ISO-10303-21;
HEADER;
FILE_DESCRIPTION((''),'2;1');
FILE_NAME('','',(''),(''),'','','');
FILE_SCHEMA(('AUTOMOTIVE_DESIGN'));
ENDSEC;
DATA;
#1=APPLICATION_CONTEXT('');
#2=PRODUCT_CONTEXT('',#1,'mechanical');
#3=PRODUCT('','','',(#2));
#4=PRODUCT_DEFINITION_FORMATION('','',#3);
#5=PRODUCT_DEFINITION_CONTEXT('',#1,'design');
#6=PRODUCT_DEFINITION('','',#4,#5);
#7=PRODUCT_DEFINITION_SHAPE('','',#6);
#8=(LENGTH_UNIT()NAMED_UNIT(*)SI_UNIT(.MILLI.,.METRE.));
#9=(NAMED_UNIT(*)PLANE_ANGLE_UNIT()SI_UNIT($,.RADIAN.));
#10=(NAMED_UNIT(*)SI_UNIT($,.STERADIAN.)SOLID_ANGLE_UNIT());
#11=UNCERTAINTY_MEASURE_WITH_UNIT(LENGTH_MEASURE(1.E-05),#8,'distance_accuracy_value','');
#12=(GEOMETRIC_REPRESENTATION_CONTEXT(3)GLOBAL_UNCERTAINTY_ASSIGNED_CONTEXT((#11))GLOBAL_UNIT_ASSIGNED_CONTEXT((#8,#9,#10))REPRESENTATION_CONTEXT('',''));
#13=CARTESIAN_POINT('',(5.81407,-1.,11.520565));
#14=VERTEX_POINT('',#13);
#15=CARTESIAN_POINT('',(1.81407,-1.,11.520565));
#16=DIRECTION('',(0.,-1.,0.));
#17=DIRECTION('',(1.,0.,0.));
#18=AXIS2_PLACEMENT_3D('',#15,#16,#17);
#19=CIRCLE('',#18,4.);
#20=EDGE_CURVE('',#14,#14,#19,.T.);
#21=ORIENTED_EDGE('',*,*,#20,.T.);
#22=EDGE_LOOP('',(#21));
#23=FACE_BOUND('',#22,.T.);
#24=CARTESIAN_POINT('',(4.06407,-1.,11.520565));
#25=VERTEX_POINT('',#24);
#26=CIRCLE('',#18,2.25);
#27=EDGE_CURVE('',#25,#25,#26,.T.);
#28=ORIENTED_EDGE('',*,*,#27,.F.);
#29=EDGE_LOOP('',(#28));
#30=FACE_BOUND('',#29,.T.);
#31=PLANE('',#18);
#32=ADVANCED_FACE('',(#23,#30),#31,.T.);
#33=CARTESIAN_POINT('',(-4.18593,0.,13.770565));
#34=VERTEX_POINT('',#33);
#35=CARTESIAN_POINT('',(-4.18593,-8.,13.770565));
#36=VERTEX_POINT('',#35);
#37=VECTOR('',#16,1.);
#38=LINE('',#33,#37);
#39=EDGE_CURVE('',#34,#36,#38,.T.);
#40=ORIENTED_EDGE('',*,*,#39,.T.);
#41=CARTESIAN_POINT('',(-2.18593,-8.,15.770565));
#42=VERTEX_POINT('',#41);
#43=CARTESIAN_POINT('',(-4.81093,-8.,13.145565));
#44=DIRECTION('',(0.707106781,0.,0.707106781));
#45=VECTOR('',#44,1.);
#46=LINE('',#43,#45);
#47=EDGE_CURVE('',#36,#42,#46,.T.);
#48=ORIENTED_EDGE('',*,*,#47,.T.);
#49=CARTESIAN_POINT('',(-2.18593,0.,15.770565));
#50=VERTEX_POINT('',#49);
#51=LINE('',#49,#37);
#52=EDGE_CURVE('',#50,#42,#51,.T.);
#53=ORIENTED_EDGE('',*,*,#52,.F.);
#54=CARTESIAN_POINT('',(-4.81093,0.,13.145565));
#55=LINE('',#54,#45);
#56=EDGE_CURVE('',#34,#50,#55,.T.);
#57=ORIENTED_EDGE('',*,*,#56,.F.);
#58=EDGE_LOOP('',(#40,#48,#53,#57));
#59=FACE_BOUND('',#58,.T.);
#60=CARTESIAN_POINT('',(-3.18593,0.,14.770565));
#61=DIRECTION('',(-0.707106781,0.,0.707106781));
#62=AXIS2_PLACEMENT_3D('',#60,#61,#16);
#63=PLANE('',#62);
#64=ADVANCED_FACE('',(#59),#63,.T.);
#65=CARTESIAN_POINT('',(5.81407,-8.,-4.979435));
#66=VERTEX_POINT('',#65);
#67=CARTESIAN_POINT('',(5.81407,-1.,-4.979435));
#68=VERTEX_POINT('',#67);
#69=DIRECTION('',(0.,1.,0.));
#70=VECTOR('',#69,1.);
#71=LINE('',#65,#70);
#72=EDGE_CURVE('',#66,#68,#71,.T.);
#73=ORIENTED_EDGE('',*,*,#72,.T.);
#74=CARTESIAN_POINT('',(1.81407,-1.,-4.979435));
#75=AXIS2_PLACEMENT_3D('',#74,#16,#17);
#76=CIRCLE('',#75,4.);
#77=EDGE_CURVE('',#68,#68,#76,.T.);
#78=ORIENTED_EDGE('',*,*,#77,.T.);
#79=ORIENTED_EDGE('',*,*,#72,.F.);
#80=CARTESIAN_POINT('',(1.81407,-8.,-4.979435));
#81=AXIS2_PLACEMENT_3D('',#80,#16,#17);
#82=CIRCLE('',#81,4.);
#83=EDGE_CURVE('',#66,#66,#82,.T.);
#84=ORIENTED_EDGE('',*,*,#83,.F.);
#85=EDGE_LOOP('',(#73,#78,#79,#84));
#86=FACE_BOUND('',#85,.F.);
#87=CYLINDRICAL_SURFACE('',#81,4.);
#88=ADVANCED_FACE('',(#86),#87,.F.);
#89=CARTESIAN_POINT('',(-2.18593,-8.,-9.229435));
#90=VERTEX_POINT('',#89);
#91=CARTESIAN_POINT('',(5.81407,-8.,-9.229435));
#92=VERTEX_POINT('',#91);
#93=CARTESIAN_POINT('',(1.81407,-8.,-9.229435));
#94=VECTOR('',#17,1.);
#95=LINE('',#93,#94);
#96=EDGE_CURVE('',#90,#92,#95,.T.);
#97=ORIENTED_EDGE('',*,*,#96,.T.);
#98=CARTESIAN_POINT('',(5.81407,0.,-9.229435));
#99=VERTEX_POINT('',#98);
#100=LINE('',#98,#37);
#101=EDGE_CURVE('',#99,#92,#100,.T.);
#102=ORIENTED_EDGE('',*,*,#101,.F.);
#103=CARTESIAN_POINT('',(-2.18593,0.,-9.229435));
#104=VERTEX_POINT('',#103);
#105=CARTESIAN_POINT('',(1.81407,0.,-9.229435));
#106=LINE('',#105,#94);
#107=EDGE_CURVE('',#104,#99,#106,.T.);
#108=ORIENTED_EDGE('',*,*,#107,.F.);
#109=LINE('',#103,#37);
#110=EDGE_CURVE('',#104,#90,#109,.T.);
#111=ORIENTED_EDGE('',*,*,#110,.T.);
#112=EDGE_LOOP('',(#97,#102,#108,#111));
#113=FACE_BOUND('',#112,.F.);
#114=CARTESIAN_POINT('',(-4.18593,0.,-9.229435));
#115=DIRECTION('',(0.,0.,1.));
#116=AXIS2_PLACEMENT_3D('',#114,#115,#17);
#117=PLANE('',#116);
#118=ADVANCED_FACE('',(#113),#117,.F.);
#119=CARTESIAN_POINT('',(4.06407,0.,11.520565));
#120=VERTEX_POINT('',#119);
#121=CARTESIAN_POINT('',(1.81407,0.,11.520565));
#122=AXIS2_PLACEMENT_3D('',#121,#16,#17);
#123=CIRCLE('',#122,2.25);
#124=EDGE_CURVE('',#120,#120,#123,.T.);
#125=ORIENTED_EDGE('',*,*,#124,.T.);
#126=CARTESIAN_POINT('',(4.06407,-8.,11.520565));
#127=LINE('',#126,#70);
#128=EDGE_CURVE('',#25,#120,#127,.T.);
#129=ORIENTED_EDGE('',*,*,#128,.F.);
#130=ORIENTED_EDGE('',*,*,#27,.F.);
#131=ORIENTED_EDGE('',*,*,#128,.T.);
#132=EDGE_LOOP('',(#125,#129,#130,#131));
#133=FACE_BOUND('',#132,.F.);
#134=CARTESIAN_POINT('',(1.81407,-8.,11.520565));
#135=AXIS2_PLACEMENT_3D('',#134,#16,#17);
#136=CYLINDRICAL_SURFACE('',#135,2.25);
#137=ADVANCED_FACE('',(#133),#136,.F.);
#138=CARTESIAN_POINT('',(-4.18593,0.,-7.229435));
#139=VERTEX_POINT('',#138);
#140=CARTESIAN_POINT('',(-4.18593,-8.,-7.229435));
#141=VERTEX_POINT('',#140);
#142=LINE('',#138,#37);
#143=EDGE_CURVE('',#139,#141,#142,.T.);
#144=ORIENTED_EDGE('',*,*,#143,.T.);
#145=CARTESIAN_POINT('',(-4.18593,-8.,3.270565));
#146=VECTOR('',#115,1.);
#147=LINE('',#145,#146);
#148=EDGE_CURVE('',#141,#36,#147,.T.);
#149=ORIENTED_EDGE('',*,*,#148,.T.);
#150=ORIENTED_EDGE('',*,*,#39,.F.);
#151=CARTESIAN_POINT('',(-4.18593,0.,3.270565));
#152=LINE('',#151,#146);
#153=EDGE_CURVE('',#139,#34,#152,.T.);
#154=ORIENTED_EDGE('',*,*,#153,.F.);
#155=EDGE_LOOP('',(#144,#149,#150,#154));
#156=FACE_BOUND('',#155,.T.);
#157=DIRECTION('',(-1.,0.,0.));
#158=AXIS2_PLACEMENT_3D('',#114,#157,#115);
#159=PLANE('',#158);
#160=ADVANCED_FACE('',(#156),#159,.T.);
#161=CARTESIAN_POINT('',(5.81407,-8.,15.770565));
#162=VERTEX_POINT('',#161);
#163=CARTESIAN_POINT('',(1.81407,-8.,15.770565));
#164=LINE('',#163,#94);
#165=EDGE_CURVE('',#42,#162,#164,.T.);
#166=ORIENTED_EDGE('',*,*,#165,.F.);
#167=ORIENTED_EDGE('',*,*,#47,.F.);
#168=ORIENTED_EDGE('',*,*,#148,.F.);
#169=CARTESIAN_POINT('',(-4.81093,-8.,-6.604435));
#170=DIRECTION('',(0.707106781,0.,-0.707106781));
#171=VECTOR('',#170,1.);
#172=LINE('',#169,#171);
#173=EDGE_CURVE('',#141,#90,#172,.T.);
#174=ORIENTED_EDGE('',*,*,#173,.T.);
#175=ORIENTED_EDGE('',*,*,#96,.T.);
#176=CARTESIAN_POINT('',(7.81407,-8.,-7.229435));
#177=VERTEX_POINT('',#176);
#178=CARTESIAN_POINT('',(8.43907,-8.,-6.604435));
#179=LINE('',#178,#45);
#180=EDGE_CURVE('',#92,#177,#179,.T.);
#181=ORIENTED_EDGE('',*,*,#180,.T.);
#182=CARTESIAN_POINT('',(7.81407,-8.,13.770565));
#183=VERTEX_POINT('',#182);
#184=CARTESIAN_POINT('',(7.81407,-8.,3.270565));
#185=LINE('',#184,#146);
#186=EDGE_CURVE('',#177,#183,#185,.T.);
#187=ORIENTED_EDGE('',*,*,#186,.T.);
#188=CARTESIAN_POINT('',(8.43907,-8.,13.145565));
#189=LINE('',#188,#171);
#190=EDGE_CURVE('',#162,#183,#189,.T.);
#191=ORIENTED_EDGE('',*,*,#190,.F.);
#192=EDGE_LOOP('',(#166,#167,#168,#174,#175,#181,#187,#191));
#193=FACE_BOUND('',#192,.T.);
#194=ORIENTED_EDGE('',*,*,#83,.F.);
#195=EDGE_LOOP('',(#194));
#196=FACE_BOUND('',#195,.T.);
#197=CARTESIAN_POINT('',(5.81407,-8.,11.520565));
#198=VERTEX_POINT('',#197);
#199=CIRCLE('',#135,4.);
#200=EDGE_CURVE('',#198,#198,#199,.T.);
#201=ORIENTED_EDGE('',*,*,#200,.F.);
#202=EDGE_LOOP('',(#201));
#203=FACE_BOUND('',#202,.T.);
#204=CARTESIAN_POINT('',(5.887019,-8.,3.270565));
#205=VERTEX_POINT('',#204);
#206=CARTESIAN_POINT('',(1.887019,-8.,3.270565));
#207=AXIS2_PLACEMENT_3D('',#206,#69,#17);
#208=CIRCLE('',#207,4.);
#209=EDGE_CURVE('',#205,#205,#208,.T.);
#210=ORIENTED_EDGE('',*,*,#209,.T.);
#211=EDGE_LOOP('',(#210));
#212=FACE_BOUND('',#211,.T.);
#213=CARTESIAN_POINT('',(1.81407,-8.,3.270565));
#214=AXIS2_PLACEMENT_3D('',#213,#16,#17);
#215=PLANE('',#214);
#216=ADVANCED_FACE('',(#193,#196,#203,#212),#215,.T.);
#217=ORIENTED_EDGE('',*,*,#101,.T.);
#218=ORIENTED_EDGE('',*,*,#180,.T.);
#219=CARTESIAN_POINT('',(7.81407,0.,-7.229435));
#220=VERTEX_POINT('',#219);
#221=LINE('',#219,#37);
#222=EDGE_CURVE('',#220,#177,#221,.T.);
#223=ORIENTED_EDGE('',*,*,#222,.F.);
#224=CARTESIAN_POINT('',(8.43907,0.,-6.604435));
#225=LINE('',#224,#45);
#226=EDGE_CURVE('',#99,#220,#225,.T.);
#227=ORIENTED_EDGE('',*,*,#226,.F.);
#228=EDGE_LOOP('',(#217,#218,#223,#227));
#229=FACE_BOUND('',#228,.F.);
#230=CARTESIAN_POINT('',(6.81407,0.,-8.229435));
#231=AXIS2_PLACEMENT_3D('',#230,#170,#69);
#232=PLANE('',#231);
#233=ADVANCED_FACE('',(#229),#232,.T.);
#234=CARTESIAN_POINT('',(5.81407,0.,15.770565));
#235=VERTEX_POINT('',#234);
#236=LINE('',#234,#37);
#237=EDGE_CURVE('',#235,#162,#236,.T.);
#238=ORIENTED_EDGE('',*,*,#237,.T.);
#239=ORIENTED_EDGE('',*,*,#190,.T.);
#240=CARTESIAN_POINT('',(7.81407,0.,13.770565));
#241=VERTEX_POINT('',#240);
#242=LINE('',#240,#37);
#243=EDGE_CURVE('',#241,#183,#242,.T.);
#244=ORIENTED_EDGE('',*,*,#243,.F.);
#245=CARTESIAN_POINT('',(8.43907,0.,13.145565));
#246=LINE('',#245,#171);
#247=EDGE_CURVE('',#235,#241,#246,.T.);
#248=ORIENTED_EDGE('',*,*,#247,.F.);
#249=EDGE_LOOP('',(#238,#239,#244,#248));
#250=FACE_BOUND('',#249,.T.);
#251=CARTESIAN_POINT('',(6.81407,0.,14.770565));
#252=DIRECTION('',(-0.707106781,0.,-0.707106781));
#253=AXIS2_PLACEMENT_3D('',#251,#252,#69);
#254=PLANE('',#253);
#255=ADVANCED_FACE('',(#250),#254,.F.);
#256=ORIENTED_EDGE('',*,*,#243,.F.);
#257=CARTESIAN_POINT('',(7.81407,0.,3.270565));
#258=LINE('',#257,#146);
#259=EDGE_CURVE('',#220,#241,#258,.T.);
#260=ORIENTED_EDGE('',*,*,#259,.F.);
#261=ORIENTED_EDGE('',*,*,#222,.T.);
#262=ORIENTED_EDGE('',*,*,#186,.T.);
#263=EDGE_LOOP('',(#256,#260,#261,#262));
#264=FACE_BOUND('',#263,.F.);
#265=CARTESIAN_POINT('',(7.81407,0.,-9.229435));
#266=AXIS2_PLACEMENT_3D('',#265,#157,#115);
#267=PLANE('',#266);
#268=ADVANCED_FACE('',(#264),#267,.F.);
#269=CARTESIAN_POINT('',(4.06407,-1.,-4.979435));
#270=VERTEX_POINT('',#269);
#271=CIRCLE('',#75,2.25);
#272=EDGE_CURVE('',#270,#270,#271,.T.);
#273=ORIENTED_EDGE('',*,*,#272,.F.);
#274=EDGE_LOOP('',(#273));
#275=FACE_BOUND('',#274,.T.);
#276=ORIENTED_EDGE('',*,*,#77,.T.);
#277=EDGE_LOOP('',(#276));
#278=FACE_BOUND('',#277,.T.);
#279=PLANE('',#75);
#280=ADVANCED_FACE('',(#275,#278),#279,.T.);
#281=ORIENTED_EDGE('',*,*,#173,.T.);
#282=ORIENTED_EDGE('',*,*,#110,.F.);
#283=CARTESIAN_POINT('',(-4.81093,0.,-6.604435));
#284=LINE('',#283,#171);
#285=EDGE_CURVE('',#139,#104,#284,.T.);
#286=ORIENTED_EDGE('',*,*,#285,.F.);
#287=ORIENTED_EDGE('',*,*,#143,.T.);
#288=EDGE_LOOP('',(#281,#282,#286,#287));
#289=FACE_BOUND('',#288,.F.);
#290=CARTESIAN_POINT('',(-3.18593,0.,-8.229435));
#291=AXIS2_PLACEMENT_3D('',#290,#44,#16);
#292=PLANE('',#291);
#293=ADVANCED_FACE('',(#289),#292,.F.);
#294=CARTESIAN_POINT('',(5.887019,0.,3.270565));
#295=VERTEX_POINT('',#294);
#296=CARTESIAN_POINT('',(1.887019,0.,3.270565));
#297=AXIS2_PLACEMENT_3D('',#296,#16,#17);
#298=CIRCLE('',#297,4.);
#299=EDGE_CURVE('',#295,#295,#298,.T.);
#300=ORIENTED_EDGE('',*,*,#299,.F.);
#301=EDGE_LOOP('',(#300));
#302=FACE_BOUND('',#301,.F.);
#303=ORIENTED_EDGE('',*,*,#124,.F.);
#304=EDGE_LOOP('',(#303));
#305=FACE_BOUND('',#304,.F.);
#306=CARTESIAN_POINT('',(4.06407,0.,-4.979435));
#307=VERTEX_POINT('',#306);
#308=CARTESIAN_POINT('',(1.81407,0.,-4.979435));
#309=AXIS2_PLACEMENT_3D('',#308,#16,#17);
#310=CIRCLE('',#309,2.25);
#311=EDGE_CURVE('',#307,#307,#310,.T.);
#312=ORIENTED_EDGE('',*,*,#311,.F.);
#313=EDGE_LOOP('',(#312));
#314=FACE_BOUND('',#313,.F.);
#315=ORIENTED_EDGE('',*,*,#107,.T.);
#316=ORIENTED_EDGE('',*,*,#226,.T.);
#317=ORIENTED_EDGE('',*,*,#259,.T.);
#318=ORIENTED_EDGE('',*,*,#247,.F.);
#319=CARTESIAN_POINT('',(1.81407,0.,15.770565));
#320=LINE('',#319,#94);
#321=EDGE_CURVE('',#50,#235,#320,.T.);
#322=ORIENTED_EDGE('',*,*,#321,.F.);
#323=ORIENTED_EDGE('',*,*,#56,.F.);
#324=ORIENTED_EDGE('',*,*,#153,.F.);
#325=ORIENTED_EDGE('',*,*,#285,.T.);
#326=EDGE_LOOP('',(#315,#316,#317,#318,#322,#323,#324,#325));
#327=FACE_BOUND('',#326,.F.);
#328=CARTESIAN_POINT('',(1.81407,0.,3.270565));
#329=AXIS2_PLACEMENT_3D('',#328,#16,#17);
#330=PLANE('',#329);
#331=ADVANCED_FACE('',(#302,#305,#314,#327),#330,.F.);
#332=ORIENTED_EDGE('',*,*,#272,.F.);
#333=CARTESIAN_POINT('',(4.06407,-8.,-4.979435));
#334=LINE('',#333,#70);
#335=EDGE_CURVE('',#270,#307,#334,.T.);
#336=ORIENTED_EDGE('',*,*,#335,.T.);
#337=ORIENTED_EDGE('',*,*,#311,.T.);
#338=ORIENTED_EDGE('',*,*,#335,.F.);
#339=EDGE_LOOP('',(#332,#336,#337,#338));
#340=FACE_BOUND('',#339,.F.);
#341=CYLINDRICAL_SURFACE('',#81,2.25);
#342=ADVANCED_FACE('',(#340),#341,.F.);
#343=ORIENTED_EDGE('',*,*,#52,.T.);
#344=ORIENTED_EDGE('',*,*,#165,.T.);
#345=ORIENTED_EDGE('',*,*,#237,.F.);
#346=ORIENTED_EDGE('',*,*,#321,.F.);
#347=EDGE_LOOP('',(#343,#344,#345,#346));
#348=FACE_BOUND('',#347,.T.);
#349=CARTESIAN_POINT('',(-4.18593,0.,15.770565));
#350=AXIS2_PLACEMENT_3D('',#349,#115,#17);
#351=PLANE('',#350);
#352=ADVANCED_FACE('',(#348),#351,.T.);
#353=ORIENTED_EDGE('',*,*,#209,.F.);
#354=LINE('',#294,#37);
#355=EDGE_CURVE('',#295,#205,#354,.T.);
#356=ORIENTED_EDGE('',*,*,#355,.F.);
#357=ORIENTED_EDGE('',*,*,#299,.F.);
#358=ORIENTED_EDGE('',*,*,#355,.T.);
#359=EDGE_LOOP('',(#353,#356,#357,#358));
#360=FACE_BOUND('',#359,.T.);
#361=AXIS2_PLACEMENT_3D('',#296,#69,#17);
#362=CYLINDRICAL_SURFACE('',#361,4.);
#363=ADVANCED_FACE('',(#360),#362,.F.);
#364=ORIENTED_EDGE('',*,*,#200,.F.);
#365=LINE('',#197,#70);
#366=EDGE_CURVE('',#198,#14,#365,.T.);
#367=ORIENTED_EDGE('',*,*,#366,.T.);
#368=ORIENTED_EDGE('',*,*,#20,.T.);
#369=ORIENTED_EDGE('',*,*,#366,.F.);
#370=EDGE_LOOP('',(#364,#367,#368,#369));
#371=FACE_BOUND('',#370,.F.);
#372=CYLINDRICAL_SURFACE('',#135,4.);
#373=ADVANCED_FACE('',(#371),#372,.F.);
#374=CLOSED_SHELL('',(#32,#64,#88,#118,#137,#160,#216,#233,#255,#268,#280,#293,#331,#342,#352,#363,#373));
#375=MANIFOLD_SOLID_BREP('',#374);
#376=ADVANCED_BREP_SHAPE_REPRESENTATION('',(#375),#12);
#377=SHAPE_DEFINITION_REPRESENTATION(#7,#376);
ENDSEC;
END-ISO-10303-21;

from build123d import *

# Parameters (mm, degrees)
F0_W     = 12
F0_H     = 25
F1_DEPTH = 8
F2_SIZE  = 2
F3_SIZE  = 2
F4_R     = 2.25
F5_DEPTH = 25
F6_R     = 4
F7_DEPTH = 7
F8_R     = 4
F9_DEPTH = 25


with BuildPart() as f1:
    # F0 (on Front) → F1 (new body)
    with BuildSketch(Plane.XZ):
        with Locations((1.81407, 3.270565)):
            Rectangle(F0_W, F0_H)
    extrude(amount=F1_DEPTH)

    # F2
    f2_edges = [f1.edges().sort_by_distance(p)[0] for p in [
        (-4.18593, -4, 15.770565),
    ]]
    chamfer(f2_edges, length=F2_SIZE)

    # F3
    f3_edges = [f1.edges().sort_by_distance(p)[0] for p in [
        (7.81407, -4, 15.770565),
        (7.81407, -4, -9.229435),
        (-4.18593, -4, -9.229435),
    ]]
    chamfer(f3_edges, length=F3_SIZE)

    # F4 (on face) → F5 (cut)
    with BuildSketch(Plane.XZ.offset(8)):
        with Locations((1.81407, -4.979435)):
            Circle(F4_R)
        with Locations((1.81407, 11.520565)):
            Circle(F4_R)
    extrude(amount=-F5_DEPTH, mode=Mode.SUBTRACT)

    # F6 (on face) → F7 (cut)
    with BuildSketch(Plane.XZ.offset(8)):
        with Locations((1.81407, 11.520565)):
            Circle(F6_R)
        with Locations((1.81407, -4.979435)):
            Circle(F6_R)
    extrude(amount=-F7_DEPTH, mode=Mode.SUBTRACT)

    # F8 (on Front) → F9 (cut)
    with BuildSketch(Plane.XZ):
        with Locations((1.887019, 3.270565)):
            Circle(F8_R)
    extrude(amount=F9_DEPTH, mode=Mode.SUBTRACT)


solid = f1.part
